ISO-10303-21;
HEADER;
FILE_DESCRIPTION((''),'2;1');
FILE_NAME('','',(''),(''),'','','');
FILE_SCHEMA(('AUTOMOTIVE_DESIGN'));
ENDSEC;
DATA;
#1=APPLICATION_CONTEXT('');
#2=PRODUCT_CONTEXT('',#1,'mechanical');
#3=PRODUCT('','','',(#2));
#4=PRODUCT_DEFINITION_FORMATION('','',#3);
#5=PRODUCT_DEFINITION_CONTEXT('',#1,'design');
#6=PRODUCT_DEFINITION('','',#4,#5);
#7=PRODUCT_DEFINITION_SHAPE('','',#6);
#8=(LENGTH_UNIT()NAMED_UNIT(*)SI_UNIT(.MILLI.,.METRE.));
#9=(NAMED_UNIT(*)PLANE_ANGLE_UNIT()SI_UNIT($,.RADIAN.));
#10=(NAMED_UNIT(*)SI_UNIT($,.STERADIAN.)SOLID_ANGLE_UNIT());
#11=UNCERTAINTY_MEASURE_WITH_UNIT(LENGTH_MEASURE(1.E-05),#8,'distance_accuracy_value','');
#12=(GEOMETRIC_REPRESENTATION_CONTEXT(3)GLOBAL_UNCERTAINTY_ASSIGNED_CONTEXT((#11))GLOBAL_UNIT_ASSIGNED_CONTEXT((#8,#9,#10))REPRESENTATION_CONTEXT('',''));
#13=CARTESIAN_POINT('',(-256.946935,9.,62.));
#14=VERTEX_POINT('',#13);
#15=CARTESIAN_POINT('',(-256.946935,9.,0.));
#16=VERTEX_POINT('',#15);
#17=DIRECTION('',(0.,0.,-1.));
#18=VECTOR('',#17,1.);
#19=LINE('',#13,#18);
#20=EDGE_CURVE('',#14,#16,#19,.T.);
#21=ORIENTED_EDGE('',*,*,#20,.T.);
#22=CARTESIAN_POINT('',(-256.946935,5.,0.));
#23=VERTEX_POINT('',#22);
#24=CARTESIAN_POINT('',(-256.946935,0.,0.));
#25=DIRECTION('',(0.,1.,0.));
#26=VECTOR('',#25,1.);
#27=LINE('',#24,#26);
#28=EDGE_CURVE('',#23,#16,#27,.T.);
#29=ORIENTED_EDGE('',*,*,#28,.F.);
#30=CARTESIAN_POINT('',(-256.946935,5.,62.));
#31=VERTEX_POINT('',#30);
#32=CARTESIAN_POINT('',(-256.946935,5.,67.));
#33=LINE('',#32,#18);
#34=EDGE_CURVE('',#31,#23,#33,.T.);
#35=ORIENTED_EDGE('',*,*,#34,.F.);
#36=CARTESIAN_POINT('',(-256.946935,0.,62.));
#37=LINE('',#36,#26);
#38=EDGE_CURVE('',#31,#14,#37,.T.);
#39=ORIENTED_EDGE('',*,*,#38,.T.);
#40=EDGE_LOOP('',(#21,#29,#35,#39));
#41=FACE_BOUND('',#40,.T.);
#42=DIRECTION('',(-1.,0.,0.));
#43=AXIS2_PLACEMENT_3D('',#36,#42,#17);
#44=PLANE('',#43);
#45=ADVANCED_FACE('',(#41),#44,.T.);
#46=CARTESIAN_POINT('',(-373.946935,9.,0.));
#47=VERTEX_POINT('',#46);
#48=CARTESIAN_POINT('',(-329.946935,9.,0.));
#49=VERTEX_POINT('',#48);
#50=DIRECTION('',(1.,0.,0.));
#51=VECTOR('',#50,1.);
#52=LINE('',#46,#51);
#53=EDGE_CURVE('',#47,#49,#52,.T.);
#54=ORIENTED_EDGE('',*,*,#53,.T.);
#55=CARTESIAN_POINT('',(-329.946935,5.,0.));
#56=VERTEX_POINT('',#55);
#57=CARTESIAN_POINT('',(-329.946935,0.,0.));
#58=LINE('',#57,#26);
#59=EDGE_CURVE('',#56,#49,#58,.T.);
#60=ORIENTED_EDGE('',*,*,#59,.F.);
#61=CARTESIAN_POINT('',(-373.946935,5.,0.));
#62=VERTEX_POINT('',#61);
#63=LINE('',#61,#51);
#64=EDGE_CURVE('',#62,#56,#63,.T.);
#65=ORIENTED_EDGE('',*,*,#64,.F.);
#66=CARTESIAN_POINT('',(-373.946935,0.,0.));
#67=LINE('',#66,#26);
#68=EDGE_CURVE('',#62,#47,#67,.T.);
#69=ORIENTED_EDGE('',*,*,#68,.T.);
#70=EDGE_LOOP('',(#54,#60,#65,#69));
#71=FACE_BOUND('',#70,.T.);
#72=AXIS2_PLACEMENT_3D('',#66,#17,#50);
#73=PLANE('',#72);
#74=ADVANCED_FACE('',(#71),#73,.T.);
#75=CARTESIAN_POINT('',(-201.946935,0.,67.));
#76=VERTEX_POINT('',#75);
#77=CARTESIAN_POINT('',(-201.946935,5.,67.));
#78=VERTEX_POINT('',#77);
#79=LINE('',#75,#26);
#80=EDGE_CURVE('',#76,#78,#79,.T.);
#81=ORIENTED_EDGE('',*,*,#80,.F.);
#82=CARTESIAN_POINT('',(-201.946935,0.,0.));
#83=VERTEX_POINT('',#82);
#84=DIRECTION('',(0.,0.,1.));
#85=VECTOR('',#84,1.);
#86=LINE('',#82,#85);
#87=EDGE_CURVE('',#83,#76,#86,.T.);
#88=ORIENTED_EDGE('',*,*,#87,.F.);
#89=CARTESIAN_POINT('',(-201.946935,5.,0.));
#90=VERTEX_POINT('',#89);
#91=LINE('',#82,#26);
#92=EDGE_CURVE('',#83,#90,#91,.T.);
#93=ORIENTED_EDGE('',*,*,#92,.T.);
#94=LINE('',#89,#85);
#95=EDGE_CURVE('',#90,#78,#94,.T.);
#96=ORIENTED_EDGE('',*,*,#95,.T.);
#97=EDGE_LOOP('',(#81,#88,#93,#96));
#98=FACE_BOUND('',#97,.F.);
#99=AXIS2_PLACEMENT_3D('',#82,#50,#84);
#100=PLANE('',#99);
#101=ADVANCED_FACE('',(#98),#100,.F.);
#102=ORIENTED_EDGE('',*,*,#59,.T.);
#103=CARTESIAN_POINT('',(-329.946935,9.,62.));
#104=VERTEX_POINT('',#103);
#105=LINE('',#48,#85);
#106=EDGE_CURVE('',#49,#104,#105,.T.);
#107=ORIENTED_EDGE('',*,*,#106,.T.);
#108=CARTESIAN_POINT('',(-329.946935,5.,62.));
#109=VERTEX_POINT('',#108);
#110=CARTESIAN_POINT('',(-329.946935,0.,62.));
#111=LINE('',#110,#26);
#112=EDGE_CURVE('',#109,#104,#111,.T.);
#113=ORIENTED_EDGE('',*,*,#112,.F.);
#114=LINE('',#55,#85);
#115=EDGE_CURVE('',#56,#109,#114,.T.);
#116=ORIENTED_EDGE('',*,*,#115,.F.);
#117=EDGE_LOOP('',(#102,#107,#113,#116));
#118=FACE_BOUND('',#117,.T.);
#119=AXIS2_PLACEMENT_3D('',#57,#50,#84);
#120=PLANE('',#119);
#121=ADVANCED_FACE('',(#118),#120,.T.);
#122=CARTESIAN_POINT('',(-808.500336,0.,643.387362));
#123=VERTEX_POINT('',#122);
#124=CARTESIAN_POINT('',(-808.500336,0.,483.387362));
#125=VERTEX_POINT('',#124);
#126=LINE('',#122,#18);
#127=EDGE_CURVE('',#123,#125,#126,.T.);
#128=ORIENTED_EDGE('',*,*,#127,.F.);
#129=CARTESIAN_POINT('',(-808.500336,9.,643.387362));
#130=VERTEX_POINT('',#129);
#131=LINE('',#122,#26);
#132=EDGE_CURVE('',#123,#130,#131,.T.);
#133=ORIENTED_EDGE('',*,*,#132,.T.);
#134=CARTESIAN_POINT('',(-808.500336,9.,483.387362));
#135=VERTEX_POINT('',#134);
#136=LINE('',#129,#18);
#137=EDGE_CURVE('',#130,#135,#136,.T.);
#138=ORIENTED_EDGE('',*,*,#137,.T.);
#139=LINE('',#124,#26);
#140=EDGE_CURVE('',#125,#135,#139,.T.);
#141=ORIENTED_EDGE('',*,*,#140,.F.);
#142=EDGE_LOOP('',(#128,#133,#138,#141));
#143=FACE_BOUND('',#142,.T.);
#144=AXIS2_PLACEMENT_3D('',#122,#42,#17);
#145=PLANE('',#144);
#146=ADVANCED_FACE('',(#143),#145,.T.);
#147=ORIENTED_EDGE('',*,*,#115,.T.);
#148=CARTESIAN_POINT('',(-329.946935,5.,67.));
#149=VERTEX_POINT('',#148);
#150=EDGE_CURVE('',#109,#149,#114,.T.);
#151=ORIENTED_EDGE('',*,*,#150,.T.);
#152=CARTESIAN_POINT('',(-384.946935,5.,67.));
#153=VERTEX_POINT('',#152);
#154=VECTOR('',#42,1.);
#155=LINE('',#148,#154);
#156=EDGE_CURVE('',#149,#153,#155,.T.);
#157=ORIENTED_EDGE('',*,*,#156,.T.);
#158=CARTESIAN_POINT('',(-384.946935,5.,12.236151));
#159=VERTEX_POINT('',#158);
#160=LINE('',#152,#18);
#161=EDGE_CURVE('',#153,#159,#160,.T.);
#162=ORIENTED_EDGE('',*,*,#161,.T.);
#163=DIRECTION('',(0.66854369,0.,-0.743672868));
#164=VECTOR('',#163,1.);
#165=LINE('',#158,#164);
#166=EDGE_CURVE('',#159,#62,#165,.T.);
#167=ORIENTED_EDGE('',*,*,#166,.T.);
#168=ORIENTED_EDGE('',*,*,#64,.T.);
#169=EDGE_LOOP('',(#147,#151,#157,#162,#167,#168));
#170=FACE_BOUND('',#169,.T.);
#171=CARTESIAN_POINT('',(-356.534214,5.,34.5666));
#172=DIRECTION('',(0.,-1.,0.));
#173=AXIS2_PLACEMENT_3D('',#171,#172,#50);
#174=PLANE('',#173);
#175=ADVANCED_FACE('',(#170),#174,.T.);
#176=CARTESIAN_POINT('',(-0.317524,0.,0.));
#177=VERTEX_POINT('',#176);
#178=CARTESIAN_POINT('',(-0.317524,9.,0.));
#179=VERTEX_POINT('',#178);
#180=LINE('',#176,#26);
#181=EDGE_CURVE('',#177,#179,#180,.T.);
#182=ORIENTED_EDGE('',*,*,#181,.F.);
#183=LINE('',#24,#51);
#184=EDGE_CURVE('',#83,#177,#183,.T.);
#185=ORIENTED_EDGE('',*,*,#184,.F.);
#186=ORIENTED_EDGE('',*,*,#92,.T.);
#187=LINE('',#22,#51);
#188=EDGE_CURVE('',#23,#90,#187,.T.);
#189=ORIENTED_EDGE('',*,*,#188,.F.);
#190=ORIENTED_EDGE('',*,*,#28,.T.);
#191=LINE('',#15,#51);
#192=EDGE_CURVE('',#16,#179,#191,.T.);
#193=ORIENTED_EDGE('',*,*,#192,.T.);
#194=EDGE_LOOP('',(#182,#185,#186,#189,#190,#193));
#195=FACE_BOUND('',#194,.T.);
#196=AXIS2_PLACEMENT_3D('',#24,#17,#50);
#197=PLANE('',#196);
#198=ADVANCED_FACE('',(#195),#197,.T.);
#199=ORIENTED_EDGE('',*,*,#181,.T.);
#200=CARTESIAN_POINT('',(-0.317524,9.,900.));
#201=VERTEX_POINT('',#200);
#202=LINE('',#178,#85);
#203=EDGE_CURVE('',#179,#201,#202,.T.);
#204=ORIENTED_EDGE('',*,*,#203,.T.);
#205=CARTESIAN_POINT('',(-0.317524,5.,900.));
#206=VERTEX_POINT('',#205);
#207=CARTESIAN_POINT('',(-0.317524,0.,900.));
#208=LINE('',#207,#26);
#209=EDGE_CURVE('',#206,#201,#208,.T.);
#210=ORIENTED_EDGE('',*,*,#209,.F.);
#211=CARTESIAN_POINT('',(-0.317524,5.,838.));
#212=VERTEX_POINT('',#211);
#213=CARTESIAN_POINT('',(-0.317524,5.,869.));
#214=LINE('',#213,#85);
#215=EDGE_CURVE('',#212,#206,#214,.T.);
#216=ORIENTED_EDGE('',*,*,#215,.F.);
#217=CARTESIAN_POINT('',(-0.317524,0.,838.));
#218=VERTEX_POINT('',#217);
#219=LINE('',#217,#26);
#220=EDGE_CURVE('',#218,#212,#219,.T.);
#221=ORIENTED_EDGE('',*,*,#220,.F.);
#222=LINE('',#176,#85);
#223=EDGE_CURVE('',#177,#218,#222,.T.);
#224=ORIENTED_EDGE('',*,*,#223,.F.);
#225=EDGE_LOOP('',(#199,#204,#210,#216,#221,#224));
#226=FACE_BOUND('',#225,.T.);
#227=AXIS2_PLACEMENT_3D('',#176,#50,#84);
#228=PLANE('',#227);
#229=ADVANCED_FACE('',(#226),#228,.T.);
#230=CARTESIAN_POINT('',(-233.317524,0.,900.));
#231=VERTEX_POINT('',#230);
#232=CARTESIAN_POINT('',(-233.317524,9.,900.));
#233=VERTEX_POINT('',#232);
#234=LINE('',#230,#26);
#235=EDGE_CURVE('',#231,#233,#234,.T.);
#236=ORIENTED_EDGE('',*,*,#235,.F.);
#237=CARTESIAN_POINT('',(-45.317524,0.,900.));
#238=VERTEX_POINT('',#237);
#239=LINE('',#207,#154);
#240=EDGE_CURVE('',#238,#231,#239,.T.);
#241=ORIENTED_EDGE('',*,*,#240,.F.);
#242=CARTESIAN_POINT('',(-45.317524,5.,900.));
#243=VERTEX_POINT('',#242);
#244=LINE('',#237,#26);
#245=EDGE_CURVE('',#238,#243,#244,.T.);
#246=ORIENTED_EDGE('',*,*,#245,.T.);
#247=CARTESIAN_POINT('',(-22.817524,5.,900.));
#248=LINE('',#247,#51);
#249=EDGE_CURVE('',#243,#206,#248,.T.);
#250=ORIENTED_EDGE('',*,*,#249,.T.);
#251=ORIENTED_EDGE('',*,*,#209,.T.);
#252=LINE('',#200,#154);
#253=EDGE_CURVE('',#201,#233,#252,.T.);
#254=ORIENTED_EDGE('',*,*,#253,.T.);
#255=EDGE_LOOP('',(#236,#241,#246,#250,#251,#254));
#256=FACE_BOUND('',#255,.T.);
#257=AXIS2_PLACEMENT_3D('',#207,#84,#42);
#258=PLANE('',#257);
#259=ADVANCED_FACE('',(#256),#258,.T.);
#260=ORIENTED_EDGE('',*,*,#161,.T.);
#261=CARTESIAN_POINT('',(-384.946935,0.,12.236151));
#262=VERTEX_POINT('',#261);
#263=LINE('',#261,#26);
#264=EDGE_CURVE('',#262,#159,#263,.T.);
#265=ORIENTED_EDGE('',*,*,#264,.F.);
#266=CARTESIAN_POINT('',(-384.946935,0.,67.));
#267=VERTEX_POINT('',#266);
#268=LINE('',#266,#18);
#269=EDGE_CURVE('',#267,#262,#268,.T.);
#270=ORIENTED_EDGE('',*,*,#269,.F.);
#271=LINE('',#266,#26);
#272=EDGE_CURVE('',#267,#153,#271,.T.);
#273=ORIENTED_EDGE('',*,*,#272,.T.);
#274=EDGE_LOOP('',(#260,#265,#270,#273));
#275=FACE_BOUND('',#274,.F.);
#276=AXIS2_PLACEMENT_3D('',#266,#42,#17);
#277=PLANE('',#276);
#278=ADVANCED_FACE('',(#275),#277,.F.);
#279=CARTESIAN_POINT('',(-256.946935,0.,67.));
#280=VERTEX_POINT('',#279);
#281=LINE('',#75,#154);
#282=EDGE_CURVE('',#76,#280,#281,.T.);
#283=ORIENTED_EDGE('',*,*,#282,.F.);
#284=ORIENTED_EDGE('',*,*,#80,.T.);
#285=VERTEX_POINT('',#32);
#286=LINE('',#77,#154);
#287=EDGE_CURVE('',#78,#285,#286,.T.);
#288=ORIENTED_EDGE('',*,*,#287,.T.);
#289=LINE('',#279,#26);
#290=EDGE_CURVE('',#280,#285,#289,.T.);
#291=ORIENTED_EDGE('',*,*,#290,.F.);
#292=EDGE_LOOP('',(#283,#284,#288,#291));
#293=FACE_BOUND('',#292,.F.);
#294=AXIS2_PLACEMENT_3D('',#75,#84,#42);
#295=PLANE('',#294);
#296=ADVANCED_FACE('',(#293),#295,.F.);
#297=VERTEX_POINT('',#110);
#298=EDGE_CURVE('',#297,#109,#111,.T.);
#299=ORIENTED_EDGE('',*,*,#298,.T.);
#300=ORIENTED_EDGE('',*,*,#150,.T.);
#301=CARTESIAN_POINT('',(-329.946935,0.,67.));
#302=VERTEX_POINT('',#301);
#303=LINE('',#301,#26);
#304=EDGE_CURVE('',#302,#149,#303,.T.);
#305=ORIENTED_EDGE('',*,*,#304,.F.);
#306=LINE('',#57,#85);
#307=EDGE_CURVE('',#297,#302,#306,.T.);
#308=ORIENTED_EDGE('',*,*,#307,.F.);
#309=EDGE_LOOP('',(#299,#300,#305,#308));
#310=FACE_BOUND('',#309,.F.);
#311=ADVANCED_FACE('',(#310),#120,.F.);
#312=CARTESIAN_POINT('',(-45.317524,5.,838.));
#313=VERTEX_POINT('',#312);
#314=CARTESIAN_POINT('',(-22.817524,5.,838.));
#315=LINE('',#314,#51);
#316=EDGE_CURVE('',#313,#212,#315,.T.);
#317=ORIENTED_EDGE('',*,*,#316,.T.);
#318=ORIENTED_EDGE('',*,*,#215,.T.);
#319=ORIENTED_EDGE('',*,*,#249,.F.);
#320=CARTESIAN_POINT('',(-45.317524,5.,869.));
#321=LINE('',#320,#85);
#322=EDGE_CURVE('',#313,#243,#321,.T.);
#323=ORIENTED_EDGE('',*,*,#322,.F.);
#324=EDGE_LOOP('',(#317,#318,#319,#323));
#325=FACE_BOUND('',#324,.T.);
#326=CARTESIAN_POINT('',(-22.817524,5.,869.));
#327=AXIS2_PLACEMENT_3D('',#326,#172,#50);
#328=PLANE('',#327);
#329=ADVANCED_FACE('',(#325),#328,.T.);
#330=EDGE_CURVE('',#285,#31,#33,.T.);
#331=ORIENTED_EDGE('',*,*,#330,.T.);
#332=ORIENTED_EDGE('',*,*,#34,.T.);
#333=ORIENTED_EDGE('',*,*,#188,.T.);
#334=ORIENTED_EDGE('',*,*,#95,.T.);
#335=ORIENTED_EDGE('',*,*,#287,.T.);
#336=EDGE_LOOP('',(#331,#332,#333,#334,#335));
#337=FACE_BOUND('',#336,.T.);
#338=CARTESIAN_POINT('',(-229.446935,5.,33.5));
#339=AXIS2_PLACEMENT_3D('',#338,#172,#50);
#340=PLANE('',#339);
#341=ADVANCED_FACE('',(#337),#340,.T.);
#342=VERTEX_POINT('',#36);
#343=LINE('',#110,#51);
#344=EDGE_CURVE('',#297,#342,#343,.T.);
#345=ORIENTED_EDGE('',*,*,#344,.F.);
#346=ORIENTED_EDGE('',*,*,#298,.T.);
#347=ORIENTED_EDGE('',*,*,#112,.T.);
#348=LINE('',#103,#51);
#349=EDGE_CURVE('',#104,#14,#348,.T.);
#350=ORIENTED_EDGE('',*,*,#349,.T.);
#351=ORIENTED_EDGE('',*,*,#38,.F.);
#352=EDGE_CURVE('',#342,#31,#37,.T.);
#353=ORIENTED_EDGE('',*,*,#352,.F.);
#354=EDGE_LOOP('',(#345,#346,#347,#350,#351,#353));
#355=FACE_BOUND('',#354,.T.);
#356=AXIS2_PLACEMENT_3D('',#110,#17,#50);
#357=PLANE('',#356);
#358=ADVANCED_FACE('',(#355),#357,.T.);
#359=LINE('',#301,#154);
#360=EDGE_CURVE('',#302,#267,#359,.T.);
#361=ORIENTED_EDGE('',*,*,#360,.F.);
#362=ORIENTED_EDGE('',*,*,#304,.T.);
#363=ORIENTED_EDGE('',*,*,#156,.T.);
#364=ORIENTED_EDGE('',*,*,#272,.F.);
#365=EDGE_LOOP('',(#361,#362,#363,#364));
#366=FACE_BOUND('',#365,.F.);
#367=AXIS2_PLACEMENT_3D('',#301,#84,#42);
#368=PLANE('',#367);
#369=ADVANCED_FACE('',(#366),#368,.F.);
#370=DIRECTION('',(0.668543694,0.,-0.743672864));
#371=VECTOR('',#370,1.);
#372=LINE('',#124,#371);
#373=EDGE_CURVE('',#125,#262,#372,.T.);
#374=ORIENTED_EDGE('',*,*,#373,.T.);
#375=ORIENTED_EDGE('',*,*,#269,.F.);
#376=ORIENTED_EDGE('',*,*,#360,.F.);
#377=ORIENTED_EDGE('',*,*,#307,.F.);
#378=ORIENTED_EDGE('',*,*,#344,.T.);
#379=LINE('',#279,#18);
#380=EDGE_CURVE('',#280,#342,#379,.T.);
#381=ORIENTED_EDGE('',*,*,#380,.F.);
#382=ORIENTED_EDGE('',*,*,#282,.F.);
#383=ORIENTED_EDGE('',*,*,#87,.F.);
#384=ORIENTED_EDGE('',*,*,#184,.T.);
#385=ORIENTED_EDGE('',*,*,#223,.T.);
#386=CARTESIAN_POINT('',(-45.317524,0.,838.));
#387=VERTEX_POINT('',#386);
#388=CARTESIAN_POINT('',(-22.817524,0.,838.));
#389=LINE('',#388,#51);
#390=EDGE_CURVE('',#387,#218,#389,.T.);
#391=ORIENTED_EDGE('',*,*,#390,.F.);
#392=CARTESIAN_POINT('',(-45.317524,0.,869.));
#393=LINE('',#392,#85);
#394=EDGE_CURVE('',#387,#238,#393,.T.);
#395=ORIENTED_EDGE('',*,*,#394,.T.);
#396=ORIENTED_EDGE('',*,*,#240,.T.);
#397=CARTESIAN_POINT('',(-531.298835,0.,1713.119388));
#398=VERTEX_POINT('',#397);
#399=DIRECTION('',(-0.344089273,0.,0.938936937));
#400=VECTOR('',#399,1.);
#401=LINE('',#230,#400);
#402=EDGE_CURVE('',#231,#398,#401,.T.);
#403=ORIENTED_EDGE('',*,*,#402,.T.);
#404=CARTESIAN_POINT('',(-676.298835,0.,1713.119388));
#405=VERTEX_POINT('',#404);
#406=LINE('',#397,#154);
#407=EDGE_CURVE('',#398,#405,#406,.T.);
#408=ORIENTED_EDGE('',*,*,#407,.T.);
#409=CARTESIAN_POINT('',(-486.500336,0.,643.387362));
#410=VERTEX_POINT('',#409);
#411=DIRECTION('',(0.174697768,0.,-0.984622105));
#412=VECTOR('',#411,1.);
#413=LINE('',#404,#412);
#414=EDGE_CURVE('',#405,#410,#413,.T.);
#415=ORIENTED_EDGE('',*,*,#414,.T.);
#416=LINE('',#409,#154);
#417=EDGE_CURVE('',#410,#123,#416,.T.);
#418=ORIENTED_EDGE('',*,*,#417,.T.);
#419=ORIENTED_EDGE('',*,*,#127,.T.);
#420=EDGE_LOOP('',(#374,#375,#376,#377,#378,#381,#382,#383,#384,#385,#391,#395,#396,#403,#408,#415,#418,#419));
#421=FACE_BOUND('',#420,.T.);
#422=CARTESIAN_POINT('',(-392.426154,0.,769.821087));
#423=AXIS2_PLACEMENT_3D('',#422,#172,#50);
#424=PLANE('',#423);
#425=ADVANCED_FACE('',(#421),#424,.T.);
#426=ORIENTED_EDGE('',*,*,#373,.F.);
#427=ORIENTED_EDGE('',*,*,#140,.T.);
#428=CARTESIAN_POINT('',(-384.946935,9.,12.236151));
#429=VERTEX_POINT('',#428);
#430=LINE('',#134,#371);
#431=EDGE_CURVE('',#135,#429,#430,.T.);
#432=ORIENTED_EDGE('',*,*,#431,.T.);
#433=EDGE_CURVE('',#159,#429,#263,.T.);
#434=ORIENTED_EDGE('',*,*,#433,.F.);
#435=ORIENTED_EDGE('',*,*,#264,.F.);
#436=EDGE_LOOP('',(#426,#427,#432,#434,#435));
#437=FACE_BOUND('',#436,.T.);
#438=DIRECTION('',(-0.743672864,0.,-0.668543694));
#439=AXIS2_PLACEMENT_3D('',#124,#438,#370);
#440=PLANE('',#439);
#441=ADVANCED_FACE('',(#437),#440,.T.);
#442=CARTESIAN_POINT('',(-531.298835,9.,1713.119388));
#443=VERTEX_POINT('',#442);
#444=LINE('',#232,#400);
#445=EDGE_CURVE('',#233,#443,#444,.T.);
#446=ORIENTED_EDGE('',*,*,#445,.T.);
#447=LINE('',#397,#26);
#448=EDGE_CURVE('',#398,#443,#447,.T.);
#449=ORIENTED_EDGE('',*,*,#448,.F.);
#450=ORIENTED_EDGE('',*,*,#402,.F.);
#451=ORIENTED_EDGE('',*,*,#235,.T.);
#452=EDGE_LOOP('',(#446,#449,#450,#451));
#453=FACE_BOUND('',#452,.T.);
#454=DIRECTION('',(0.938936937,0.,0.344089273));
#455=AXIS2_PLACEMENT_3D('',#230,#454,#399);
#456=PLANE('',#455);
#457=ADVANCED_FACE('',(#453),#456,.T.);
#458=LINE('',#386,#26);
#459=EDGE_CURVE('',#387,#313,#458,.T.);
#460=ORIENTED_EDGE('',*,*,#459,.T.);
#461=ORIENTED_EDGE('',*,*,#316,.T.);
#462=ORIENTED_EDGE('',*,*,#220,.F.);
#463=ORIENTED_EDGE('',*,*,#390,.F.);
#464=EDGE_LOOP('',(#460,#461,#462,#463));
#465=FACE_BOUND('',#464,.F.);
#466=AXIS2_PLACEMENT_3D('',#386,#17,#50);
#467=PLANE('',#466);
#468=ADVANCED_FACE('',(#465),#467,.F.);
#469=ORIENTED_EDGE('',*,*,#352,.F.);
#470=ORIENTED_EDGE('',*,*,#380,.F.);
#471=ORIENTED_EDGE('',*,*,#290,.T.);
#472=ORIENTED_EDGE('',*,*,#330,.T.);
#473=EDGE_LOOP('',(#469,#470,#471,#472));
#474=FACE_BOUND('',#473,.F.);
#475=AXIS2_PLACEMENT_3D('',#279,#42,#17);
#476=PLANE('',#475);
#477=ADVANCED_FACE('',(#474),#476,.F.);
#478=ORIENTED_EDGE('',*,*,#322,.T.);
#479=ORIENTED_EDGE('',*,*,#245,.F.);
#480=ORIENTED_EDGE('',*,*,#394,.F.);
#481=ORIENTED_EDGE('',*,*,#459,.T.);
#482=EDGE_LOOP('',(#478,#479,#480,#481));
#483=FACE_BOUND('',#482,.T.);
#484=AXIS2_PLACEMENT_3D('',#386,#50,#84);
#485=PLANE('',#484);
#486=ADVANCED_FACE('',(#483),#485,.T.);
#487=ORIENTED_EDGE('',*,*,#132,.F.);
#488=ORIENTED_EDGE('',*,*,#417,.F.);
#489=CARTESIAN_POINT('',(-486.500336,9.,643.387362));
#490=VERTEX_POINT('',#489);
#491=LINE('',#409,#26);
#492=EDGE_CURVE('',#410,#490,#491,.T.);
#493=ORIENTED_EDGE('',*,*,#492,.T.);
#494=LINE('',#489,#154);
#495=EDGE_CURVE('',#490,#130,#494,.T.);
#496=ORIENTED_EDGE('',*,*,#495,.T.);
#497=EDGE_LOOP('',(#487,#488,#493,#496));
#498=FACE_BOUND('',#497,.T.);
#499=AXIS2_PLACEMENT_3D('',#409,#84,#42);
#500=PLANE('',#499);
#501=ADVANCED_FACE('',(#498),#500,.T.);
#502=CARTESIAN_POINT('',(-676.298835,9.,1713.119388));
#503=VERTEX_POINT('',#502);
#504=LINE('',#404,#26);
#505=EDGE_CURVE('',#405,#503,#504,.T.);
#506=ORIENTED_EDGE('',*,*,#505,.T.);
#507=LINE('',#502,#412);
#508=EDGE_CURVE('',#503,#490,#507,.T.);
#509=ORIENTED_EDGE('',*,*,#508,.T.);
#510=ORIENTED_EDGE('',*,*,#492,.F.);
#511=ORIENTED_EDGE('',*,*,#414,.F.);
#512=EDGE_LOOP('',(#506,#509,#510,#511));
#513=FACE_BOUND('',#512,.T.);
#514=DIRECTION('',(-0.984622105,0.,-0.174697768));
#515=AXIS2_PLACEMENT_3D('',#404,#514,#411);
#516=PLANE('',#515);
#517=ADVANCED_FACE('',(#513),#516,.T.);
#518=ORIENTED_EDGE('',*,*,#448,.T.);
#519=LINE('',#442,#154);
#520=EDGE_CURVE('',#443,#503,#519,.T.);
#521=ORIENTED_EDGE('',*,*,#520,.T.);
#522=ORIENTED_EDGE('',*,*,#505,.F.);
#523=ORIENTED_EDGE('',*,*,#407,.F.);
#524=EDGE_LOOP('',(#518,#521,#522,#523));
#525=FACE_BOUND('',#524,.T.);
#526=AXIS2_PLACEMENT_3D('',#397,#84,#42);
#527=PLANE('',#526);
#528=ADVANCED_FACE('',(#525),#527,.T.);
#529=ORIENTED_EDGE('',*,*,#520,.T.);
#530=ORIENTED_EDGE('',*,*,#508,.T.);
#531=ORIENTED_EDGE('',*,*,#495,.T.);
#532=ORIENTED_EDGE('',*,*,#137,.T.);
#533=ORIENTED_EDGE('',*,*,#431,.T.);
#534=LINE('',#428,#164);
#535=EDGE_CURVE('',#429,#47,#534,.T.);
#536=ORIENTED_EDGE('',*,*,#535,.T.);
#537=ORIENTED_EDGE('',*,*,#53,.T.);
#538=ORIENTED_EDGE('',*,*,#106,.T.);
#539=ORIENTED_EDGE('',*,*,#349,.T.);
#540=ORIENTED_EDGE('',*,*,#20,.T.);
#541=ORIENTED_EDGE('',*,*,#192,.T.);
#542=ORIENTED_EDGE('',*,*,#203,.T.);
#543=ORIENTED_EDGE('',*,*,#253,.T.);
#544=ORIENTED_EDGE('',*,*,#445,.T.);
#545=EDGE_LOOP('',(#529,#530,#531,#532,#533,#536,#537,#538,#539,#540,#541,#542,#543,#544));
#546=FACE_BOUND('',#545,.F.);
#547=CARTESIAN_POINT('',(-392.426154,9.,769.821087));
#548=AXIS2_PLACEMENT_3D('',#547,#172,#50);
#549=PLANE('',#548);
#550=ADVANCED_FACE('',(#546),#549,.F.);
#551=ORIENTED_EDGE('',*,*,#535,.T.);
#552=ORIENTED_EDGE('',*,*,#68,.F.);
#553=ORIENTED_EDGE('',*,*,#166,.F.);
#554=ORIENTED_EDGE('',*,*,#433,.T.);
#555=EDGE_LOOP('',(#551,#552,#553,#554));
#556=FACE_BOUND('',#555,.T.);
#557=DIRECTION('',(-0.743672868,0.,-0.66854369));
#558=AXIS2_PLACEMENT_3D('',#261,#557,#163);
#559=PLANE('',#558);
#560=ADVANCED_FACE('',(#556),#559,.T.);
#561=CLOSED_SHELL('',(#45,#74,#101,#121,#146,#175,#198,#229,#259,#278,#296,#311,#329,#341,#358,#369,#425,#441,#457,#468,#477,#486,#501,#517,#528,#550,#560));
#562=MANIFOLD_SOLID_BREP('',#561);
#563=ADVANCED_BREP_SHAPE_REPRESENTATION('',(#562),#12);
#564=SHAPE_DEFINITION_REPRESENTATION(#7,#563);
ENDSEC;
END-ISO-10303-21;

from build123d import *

# Parameters (mm, degrees)
F0_W     = 45
F0_H     = 62
F1_DEPTH = 9
F2_DEPTH = 5


with BuildPart() as f1:
    # F0 (on Front) → F1 (new body)
    with BuildSketch(Plane.XZ):
        Polygon((-808.500336, 483.387362), (-384.946935, 12.236151), (-384.946935, 67), (-329.946935, 67), (-329.946935, 62), (-256.946935, 62), (-256.946935, 67), (-201.946935, 67), (-201.946935, 0), (-0.317524, 0), (-0.317524, 838), (-45.317524, 838), (-45.317524, 900), (-233.317524, 900), (-531.298835, 1713.119388), (-676.298835, 1713.119388), (-486.500336, 643.387362), (-808.500336, 643.387362), align=None)
        Polygon((-384.946935, 12.236151), (-373.946935, 0), (-329.946935, 0), (-329.946935, 62), (-329.946935, 67), (-384.946935, 67), align=None)
        Polygon((-256.946935, 67), (-256.946935, 62), (-256.946935, 0), (-201.946935, 0), (-201.946935, 67), align=None)
        with Locations((-22.817524, 869)):
            Rectangle(F0_W, F0_H)
    extrude(amount=-F1_DEPTH)

    # F0 (on Front) → F2 (cut)
    with BuildSketch(Plane.XZ):
        with Locations((-22.817524, 869)):
            Rectangle(F0_W, F0_H)
        Polygon((-384.946935, 12.236151), (-373.946935, 0), (-329.946935, 0), (-329.946935, 62), (-329.946935, 67), (-384.946935, 67), align=None)
        Polygon((-256.946935, 67), (-256.946935, 62), (-256.946935, 0), (-201.946935, 0), (-201.946935, 67), align=None)
    extrude(amount=-F2_DEPTH, mode=Mode.SUBTRACT)


solid = f1.part
